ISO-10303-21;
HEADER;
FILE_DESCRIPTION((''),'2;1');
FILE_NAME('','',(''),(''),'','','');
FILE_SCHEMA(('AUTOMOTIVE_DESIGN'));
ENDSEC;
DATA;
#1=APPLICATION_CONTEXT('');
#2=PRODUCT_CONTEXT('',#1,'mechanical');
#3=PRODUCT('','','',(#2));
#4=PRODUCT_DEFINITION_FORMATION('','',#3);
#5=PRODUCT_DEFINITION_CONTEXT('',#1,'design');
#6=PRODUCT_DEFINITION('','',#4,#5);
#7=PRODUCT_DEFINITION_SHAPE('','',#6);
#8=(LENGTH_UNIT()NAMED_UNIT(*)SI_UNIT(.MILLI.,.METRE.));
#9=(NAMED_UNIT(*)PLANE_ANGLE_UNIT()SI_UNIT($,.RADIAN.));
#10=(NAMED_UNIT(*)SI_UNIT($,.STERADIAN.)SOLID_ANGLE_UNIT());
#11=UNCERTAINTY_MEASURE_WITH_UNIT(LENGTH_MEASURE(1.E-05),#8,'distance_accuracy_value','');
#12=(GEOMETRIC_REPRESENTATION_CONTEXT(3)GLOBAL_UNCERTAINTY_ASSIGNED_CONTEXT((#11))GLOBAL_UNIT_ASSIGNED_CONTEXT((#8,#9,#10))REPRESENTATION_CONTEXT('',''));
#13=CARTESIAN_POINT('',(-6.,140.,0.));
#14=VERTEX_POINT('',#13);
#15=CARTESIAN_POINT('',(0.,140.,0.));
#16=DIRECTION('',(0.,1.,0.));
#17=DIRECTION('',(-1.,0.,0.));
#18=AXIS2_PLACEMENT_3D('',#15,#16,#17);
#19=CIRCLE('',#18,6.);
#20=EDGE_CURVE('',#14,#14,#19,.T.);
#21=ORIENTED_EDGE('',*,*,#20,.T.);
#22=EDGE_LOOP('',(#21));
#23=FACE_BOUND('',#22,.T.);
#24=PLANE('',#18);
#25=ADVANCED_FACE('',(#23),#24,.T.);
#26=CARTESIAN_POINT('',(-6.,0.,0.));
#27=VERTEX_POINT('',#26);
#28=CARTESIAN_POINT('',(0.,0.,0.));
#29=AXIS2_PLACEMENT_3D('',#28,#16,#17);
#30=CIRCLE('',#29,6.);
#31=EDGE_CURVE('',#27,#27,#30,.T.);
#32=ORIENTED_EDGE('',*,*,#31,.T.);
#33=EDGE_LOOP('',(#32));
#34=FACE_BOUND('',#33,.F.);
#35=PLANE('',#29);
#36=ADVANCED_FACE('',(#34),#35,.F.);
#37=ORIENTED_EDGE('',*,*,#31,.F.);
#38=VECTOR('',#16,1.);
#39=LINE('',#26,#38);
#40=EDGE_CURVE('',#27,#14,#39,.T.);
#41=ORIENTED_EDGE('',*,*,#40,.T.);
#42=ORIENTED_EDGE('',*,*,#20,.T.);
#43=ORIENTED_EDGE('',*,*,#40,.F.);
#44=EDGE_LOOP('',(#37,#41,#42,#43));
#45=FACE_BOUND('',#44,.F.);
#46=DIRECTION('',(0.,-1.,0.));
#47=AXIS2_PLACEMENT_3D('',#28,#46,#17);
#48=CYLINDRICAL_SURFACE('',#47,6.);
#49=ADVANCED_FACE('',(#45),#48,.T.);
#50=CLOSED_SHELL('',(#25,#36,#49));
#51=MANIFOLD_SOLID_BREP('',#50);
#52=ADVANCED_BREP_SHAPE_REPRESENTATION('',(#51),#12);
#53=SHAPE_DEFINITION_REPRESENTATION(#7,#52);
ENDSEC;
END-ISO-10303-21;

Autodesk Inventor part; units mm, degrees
ref_plane "YZ Plane" through (0, 0, 0) normal (1, 0, 0) x (0, 1, 0)
ref_plane "XZ Plane" through (0, 0, 0) normal (0, 1, 0) x (-1, 0, 0)
ref_plane "XY Plane" through (0, 0, 0) normal (0, 0, 1) x (1, 0, 0)
sketch "Sketch1" plane through (0, 0, 0) normal (0, 1, 0) x (-1, 0, 0)
  circle A0 centre (0, 0) radius 6
  dimension "d0" = 12
extrude "Extrusion1" add sketch "Sketch1" along normal blind 140
properties part number "dummy microscope"
